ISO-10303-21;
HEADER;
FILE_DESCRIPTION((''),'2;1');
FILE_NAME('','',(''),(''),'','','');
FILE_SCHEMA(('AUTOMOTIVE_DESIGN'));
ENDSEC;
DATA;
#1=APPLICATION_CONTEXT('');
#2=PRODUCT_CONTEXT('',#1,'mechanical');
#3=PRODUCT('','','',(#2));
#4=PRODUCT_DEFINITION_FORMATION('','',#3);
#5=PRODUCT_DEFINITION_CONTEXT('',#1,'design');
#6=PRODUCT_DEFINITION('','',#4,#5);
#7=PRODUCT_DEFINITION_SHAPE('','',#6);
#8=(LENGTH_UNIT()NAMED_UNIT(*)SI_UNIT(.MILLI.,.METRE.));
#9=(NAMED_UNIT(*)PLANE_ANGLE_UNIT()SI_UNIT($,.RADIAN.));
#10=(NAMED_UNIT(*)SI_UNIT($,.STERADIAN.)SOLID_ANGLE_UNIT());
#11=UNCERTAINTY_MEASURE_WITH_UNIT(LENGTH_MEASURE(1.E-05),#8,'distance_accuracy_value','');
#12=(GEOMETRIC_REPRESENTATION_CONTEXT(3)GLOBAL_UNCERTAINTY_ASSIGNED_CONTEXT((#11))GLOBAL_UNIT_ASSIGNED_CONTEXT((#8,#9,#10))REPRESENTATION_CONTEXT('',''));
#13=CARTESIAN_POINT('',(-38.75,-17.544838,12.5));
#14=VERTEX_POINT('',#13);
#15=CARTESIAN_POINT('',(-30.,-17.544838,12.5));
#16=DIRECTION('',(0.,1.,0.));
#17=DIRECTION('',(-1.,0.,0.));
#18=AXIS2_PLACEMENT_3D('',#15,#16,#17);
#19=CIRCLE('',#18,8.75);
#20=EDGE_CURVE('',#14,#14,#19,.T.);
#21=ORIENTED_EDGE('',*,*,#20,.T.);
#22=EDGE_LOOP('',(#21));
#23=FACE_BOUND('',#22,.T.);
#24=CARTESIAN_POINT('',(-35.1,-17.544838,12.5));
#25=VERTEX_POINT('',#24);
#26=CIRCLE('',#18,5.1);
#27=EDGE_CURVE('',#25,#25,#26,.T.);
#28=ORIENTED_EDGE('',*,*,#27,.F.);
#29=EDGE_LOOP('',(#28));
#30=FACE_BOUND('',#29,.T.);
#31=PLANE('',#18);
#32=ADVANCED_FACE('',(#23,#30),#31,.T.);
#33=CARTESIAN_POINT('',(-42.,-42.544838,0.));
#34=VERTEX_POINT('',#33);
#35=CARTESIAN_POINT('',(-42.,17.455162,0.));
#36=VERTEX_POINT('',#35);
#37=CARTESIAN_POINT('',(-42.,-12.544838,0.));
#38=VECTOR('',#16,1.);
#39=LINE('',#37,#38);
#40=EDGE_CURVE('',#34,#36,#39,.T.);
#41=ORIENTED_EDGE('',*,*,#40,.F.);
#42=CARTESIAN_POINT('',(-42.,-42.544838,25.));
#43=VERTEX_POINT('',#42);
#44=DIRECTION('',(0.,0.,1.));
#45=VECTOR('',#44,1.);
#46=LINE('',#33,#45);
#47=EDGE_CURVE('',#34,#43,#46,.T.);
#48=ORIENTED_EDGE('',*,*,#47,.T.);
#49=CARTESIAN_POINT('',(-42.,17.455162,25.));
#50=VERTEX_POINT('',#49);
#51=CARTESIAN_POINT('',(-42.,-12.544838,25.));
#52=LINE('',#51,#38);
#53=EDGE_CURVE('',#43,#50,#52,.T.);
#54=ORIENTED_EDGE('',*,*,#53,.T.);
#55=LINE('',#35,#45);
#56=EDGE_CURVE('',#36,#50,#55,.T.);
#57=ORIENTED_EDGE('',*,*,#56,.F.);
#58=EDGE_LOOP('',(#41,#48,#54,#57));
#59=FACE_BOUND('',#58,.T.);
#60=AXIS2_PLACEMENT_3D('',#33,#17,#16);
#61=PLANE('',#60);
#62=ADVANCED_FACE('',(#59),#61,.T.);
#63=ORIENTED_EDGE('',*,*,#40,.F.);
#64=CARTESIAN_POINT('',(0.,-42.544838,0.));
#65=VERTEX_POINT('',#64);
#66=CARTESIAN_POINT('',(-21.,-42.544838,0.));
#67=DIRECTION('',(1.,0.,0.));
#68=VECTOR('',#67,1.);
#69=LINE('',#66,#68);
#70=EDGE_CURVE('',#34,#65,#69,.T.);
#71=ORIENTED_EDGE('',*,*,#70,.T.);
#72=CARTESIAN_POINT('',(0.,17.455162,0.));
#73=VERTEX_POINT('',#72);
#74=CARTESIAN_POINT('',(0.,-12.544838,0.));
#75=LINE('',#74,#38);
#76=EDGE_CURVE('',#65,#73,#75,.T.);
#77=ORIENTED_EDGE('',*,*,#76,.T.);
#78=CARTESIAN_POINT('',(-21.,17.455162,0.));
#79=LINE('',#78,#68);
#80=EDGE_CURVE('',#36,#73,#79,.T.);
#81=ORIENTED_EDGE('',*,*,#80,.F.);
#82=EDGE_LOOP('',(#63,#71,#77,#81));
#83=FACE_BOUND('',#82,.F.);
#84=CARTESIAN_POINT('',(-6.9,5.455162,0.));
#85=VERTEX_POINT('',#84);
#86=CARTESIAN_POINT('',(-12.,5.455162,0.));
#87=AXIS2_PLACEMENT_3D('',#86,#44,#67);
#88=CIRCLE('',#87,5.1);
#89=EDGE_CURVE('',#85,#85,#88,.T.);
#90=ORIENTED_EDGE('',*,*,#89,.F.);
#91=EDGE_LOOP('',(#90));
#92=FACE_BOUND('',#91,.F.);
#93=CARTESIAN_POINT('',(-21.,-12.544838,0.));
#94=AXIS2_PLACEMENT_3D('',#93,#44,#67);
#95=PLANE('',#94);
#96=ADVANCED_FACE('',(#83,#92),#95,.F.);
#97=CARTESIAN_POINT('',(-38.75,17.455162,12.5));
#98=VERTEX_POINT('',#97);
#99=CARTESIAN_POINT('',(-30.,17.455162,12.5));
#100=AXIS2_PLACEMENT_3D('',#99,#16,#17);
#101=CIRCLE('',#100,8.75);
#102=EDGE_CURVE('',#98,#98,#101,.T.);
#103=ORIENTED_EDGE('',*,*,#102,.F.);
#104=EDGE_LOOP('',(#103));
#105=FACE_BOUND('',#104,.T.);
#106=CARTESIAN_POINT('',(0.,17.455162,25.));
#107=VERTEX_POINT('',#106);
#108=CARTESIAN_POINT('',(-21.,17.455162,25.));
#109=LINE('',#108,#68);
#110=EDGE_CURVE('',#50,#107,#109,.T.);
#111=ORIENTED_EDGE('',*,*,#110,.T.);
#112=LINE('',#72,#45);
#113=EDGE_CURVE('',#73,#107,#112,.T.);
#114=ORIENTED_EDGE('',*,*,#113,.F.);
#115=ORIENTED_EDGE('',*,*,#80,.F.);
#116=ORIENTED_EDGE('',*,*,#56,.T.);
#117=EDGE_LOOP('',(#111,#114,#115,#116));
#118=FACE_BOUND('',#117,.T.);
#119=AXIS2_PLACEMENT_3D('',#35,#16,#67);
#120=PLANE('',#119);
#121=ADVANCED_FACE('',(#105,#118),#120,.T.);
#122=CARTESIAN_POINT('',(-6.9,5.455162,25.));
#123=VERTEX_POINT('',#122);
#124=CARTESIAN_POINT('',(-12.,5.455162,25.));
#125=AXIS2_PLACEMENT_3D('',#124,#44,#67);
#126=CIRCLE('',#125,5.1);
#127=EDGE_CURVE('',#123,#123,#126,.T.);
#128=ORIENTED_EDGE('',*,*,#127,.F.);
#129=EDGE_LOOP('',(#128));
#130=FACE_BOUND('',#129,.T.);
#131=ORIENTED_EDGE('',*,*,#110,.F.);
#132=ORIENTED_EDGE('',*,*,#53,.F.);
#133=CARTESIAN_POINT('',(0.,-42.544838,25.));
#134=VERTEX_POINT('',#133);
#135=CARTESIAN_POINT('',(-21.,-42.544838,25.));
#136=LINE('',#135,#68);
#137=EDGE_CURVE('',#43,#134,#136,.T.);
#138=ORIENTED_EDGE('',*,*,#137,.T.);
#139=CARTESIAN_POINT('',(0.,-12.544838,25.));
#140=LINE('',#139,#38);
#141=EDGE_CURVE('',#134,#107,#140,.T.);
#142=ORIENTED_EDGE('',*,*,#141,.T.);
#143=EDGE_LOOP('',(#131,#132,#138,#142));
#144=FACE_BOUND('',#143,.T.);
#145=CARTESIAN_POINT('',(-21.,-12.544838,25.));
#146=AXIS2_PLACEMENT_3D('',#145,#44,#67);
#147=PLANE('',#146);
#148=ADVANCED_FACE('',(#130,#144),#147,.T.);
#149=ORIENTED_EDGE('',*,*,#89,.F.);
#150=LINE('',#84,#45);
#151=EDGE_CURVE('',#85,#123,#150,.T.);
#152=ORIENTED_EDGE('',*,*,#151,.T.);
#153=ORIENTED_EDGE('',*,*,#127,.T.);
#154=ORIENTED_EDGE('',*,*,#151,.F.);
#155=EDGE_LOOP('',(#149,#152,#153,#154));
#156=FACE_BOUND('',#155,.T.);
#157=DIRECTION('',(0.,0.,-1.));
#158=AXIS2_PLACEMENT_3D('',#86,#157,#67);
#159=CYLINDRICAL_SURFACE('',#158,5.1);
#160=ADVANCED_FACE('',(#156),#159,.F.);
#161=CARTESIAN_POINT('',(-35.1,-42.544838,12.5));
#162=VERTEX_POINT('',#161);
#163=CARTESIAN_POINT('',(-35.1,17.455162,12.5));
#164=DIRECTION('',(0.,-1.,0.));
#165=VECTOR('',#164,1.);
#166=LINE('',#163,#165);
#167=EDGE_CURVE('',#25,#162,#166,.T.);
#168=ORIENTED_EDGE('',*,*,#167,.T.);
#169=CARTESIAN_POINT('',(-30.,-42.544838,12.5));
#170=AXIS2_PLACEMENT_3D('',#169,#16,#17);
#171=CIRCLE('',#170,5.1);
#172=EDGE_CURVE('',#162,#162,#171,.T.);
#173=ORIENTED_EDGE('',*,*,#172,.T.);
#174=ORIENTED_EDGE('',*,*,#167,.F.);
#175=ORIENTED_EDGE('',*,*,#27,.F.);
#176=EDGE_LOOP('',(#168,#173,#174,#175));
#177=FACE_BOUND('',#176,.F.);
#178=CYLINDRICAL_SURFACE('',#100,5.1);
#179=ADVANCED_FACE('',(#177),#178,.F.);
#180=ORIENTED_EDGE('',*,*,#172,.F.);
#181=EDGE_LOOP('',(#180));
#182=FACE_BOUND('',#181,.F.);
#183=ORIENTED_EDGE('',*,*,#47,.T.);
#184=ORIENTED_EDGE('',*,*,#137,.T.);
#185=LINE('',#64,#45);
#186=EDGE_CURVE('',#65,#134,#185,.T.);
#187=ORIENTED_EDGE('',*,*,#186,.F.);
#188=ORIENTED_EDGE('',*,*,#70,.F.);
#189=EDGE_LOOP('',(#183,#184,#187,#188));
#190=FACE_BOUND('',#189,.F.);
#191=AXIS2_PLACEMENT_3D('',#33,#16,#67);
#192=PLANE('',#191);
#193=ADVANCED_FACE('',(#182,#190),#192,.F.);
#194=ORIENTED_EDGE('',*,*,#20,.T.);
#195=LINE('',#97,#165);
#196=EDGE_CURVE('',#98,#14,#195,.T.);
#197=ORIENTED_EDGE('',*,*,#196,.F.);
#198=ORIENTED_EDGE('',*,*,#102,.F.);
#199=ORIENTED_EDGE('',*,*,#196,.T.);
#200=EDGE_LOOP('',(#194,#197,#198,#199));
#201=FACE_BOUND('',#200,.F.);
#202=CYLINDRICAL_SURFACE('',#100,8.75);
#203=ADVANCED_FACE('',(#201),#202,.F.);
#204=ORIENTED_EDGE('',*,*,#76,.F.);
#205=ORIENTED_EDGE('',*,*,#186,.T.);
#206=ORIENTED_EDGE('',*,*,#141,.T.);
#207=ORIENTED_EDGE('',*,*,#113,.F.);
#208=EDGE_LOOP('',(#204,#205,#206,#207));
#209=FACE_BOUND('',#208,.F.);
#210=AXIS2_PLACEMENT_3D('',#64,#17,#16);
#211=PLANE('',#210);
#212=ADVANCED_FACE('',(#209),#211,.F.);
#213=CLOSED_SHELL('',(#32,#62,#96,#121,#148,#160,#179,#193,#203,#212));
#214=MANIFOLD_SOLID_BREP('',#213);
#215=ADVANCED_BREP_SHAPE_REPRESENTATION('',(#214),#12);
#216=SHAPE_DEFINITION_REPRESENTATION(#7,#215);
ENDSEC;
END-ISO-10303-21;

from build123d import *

# Parameters (mm, degrees)
F0_W     = 42
F0_H     = 60
F0_R     = 5.1
F1_DEPTH = 25
F2_R     = 8.75
F2_R_2   = 5.1
F3_DEPTH = 35
F4_DEPTH = 60


with BuildPart() as f1:
    # F0 (on Top) → F1 (new body)
    with BuildSketch(Plane.XY):
        with Locations((-21, -12.544838)):
            Rectangle(F0_W, F0_H)
        with Locations((-12, 5.455162)):
            Circle(F0_R, mode=Mode.SUBTRACT)
    extrude(amount=F1_DEPTH)

    # F2 (on face) → F3 (cut)
    with BuildSketch(Plane(origin=(0, 17.455162, 0), x_dir=(-1, 0, 0), z_dir=(0, 1, 0))):
        with Locations((30, 12.5)):
            Circle(F2_R)
        with Locations((30, 12.5)):
            Circle(F2_R_2, mode=Mode.SUBTRACT)
    extrude(amount=-F3_DEPTH, mode=Mode.SUBTRACT)

    # F2 (on face) → F4 (cut)
    with BuildSketch(Plane(origin=(0, 17.455162, 0), x_dir=(-1, 0, 0), z_dir=(0, 1, 0))):
        with Locations((30, 12.5)):
            Circle(F2_R_2)
    extrude(amount=-F4_DEPTH, mode=Mode.SUBTRACT)


solid = f1.part
